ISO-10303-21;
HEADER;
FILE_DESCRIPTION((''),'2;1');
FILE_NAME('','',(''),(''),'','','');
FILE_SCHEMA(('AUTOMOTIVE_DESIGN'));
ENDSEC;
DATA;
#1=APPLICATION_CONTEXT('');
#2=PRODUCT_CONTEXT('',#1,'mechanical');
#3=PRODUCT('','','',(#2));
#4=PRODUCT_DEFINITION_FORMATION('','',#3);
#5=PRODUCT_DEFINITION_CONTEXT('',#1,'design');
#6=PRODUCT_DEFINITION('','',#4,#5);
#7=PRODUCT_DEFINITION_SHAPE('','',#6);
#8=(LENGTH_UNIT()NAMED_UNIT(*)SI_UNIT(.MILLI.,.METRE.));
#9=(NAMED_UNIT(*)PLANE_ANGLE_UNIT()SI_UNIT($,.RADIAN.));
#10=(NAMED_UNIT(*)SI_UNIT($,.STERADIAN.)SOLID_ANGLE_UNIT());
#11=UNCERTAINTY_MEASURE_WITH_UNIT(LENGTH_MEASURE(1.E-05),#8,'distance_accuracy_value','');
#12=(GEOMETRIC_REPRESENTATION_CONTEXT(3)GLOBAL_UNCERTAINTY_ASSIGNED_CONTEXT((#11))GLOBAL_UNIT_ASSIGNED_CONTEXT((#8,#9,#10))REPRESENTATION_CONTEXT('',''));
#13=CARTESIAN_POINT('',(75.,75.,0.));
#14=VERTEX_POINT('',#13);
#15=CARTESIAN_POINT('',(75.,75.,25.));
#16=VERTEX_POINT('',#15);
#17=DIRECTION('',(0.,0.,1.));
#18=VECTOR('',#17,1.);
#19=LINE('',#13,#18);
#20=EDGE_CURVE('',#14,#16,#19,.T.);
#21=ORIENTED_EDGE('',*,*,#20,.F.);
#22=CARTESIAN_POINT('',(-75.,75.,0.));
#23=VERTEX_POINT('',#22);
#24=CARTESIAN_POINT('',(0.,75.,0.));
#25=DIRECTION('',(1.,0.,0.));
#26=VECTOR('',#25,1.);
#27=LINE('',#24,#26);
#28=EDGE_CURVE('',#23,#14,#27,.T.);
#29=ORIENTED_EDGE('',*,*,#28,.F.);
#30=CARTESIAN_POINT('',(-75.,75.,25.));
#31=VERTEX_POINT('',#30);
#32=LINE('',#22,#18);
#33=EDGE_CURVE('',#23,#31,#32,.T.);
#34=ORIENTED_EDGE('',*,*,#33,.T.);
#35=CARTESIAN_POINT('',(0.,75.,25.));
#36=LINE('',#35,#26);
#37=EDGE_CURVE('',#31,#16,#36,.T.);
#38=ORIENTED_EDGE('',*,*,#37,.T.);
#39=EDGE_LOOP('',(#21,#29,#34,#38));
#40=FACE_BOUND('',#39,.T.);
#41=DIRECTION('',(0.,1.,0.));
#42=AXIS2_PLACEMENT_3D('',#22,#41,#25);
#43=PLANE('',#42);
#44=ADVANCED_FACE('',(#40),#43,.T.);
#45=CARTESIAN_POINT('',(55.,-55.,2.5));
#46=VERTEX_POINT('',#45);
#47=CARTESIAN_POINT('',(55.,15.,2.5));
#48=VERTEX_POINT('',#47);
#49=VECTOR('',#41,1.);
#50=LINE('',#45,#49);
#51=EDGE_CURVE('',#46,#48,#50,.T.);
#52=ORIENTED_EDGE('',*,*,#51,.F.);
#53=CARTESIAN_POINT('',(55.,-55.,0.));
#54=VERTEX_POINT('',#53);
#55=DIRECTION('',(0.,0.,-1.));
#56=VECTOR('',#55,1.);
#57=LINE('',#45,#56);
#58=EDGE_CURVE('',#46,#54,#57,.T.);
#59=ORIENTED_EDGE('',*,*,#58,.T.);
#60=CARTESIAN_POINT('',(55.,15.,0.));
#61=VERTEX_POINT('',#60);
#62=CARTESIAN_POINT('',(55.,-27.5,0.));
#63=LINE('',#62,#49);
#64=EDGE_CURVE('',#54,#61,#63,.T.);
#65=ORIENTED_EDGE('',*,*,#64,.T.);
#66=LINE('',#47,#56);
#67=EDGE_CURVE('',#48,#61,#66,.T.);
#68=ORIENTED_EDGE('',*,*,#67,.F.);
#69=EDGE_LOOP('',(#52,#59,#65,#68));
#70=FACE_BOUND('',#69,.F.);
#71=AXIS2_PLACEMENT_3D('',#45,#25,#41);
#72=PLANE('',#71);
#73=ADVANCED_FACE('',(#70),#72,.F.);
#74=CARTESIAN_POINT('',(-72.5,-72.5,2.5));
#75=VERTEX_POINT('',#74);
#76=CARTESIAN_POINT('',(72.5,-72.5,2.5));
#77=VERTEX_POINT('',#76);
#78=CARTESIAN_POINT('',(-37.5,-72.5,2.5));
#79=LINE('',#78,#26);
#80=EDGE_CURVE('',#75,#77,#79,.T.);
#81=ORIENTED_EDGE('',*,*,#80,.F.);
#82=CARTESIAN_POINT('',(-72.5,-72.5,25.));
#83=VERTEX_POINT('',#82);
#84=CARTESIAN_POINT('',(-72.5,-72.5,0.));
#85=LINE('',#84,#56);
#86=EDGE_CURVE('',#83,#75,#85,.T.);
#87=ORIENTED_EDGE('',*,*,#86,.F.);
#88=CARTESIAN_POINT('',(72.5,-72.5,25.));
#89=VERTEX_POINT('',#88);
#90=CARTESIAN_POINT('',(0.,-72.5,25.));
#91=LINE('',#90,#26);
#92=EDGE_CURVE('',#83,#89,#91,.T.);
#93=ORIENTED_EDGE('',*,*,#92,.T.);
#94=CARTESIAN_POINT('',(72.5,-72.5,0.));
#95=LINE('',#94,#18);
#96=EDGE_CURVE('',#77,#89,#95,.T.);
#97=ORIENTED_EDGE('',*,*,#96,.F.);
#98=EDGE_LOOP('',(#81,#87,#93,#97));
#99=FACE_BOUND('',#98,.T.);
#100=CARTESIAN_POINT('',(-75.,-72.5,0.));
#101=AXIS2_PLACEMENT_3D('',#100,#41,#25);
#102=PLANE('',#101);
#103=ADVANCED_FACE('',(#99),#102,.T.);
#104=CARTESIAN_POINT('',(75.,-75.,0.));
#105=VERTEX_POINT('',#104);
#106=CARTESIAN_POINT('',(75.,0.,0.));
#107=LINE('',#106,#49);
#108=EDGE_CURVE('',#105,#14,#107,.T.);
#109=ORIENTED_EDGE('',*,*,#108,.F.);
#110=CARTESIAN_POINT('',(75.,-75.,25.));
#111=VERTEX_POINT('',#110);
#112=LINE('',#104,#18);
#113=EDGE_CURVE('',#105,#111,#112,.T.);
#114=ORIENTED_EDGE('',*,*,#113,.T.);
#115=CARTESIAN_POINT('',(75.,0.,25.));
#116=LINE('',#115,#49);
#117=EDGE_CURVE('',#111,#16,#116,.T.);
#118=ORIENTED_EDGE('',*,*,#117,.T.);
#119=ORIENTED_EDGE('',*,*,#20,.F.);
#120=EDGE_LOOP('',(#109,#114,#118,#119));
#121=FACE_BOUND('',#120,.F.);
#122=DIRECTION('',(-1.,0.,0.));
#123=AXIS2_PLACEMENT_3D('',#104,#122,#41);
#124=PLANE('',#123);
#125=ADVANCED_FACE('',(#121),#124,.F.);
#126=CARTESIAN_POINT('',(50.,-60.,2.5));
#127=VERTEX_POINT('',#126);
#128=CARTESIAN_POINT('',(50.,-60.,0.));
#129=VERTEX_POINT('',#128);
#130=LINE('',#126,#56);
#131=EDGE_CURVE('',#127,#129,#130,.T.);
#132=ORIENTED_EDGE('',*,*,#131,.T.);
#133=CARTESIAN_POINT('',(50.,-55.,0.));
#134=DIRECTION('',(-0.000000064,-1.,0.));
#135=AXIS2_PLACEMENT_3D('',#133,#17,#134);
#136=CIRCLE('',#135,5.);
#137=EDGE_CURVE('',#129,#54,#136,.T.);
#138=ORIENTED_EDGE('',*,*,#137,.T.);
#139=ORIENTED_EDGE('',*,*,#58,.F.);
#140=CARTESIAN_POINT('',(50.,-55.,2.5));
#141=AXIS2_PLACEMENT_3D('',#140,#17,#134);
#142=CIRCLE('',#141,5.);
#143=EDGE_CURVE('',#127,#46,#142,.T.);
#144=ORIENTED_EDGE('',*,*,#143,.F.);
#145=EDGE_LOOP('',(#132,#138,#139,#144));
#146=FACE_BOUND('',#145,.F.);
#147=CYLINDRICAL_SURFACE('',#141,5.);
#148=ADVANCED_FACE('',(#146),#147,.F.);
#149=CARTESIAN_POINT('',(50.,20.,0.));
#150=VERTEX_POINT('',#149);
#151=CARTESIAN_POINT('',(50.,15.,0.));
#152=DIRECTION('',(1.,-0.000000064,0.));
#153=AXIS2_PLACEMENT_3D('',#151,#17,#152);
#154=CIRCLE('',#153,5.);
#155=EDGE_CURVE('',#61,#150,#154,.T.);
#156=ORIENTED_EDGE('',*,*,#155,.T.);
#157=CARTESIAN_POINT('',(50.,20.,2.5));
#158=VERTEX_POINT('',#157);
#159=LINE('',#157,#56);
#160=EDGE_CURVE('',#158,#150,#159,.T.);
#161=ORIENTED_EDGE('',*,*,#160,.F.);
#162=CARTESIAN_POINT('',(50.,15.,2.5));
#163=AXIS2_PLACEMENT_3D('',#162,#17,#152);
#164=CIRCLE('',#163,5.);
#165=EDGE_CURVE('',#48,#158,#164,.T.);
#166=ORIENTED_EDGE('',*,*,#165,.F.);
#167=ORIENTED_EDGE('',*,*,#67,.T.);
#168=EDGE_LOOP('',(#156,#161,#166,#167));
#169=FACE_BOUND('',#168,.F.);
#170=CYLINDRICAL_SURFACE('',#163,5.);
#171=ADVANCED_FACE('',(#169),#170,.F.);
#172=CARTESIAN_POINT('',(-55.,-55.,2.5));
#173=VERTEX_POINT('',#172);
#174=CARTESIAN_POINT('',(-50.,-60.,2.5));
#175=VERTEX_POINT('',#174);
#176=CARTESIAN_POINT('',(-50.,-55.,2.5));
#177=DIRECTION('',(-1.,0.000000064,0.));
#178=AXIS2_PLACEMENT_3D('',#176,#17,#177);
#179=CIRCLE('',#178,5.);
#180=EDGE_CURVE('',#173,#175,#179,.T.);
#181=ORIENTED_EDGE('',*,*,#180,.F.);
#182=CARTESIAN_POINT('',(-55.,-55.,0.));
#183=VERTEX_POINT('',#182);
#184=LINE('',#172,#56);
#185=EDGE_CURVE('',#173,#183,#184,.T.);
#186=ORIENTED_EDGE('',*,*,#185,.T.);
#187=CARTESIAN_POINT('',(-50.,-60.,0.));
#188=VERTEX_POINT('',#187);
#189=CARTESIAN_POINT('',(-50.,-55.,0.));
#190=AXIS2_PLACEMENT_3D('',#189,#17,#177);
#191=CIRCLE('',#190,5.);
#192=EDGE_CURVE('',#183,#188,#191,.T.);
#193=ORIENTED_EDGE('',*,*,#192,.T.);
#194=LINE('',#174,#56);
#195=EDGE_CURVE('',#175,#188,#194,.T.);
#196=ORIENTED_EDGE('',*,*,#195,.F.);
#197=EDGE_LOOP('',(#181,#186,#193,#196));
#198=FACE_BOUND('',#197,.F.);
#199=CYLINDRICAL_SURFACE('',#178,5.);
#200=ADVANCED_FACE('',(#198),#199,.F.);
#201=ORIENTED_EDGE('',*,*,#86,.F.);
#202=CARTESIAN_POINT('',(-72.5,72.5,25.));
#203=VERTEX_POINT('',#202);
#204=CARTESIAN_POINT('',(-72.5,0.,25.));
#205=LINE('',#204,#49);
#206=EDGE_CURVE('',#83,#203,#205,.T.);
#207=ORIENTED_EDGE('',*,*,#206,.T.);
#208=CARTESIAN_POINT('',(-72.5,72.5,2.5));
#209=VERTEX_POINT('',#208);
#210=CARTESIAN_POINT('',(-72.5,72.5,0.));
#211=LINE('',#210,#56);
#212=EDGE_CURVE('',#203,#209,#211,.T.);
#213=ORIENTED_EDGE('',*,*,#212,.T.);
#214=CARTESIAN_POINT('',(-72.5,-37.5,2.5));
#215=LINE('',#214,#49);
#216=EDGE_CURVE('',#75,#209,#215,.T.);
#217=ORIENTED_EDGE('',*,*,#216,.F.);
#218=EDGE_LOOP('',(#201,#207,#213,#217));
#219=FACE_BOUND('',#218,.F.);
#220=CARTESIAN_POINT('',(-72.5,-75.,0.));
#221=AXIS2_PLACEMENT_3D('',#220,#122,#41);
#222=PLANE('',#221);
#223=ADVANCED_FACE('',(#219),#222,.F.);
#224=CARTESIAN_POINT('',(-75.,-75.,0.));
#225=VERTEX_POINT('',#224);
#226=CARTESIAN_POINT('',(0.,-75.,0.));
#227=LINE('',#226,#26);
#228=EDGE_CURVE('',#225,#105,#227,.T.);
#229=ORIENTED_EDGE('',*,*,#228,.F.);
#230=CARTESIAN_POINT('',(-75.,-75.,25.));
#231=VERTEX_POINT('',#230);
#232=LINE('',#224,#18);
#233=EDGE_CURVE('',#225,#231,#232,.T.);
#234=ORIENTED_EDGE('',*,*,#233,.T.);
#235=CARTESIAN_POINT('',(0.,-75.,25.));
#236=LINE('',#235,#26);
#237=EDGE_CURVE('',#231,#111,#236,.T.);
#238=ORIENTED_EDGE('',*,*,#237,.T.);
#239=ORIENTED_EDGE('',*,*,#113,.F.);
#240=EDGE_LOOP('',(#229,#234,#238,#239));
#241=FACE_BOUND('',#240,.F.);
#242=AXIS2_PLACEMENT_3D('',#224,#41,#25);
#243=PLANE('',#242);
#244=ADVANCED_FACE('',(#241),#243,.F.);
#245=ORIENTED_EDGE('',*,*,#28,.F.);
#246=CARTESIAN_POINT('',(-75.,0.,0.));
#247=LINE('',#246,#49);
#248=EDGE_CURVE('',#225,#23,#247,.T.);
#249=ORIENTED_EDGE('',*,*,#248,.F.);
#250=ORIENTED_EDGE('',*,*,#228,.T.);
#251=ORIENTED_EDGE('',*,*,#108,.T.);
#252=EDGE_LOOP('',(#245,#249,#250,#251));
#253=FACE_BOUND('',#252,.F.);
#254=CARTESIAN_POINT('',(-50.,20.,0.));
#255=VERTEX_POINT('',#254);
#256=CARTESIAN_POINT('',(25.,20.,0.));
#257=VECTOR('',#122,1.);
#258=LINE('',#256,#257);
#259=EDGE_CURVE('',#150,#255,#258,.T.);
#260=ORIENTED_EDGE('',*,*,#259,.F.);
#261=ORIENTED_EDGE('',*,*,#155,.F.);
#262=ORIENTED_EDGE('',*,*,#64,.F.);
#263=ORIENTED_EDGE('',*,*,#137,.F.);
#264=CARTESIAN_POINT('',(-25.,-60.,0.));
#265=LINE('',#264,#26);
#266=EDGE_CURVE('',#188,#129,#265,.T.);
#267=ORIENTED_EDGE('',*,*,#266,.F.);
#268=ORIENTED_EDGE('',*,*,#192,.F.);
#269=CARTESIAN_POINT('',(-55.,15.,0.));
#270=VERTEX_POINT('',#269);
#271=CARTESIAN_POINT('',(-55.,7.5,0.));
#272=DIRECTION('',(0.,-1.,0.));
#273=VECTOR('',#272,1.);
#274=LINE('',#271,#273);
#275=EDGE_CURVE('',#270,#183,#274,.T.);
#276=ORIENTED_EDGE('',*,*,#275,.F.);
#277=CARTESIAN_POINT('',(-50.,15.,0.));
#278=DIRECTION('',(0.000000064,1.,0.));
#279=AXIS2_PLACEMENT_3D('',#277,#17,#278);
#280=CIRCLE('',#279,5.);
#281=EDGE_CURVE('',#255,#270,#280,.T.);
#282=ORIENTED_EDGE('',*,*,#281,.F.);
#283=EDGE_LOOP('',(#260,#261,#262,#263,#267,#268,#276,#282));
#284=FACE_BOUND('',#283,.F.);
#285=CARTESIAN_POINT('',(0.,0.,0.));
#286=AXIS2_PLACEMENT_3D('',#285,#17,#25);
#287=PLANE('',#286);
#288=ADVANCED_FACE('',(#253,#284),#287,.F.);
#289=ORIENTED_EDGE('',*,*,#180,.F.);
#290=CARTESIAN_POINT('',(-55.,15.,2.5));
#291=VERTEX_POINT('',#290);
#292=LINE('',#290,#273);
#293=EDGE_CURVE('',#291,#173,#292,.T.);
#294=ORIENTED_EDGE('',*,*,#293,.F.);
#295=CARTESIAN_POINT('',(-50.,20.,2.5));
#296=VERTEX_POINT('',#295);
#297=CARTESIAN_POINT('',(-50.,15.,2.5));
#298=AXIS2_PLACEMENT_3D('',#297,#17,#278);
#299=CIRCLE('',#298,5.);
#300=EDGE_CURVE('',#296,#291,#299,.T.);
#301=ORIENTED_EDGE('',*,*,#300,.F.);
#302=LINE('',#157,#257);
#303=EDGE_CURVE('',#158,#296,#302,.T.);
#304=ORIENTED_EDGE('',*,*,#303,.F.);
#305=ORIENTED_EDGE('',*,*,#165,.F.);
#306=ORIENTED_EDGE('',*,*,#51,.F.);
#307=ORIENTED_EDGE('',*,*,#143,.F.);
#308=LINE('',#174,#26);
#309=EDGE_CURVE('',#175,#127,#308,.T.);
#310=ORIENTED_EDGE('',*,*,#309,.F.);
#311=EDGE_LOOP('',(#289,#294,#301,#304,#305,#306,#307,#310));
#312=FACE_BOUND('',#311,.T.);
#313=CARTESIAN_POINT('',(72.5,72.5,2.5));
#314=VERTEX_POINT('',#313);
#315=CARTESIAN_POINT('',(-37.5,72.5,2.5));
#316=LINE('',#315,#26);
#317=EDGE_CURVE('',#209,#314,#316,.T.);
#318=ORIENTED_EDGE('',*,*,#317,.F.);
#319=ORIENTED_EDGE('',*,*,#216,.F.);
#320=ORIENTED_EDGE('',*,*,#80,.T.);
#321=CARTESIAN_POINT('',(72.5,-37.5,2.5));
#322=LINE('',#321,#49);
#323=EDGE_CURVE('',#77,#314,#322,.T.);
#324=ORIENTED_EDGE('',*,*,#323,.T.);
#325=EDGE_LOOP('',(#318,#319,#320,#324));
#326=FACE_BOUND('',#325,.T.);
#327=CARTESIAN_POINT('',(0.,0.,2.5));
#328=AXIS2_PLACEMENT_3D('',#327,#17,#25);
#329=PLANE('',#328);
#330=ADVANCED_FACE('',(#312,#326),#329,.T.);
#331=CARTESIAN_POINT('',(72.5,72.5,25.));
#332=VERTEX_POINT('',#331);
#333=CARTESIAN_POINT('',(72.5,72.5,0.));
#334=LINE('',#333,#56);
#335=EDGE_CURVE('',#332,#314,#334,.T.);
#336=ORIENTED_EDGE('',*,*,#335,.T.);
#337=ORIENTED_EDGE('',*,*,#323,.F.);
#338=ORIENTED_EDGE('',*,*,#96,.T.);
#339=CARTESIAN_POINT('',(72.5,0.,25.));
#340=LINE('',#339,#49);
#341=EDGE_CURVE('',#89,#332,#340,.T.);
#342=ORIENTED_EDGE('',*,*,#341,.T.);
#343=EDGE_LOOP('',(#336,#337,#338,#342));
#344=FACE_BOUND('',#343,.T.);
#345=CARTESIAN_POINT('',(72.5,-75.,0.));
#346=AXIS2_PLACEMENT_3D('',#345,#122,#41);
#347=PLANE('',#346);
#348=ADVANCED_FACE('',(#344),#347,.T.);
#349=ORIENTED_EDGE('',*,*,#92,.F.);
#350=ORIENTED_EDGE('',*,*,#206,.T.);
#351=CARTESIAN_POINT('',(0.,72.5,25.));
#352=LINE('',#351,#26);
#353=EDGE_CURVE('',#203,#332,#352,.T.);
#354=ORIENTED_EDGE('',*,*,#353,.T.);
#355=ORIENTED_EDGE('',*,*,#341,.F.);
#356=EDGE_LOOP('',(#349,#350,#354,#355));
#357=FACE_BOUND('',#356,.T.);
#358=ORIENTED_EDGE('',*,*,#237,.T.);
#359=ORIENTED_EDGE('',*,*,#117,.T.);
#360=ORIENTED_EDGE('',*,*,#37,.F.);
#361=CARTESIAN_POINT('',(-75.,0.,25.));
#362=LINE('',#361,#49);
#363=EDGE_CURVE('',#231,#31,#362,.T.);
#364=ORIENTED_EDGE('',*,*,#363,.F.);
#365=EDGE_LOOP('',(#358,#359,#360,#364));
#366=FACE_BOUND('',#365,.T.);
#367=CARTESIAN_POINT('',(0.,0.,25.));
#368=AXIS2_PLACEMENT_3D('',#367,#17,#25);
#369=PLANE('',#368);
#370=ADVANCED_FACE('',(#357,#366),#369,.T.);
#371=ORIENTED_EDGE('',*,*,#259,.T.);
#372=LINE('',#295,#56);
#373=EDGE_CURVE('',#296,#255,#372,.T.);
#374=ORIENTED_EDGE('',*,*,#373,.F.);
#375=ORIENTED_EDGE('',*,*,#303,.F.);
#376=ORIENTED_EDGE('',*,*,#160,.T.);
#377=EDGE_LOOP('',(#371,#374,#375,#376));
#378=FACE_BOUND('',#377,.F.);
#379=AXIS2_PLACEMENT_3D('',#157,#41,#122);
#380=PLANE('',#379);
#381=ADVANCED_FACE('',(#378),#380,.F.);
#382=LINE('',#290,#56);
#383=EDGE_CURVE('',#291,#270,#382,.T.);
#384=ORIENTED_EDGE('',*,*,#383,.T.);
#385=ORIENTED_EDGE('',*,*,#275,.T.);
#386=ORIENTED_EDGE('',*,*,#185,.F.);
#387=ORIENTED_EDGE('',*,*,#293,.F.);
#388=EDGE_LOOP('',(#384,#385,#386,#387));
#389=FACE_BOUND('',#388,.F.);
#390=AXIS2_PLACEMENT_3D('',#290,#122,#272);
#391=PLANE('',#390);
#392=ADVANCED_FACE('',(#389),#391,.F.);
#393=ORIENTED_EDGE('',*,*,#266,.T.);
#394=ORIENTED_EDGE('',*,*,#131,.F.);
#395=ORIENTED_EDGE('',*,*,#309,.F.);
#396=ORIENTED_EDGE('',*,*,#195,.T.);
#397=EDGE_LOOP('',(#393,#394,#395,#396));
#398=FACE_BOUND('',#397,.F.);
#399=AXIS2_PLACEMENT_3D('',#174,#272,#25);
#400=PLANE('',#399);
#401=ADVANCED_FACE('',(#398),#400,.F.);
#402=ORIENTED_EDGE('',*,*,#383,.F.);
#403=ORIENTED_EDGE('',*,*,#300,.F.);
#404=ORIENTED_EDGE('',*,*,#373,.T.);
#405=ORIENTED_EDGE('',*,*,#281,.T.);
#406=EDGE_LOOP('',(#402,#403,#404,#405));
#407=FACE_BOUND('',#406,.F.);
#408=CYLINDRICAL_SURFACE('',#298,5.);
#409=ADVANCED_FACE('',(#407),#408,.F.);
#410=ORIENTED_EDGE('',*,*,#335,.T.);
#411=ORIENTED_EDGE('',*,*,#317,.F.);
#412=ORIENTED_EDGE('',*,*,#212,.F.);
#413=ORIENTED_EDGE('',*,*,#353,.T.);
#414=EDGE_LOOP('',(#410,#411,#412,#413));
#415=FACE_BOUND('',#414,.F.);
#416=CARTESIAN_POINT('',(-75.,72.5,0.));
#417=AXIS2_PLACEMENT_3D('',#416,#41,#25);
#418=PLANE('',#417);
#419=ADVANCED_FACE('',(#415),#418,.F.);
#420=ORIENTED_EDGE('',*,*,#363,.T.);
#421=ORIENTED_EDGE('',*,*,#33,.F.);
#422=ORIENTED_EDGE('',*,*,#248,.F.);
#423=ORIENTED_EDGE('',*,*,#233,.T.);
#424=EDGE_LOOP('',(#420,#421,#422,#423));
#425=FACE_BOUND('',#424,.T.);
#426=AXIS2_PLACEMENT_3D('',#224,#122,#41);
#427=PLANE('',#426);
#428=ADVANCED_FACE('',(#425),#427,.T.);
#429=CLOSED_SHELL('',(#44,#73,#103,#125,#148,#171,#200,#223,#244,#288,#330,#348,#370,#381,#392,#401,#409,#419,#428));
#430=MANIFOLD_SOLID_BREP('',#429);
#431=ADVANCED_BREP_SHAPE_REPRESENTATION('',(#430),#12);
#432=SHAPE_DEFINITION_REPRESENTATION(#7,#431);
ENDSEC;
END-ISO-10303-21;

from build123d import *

# Parameters (mm, degrees)
F0_W     = 150
F0_H     = 150
F1_DEPTH = 25
F2_T     = -2.5
F4_DEPTH = 25


with BuildPart() as f1:
    # F0 (on Top) → F1 (new body)
    with BuildSketch(Plane.XY):
        Rectangle(F0_W, F0_H)
    extrude(amount=F1_DEPTH)

    # F2
    f2_openings = [f1.faces().sort_by_distance(p)[0] for p in [
        (0, 0, 25),
    ]]
    offset(amount=F2_T, openings=f2_openings)

    # F3 (on face) → F4 (cut)
    with BuildSketch(Plane.XY.offset(2.5)):
        with BuildLine():
            Line((50, 20), (-50, 20))
            ThreePointArc((-50, 20), (-53.535534, 18.535534), (-55, 15))
            Line((-55, 15), (-55, -55))
            ThreePointArc((-55, -55), (-53.535534, -58.535534), (-50, -60))
            Line((-50, -60), (50, -60))
            ThreePointArc((50, -60), (53.535534, -58.535534), (55, -55))
            Line((55, -55), (55, 15))
            ThreePointArc((55, 15), (53.535534, 18.535534), (50, 20))
        make_face()
    extrude(amount=-F4_DEPTH, mode=Mode.SUBTRACT)


solid = f1.part
